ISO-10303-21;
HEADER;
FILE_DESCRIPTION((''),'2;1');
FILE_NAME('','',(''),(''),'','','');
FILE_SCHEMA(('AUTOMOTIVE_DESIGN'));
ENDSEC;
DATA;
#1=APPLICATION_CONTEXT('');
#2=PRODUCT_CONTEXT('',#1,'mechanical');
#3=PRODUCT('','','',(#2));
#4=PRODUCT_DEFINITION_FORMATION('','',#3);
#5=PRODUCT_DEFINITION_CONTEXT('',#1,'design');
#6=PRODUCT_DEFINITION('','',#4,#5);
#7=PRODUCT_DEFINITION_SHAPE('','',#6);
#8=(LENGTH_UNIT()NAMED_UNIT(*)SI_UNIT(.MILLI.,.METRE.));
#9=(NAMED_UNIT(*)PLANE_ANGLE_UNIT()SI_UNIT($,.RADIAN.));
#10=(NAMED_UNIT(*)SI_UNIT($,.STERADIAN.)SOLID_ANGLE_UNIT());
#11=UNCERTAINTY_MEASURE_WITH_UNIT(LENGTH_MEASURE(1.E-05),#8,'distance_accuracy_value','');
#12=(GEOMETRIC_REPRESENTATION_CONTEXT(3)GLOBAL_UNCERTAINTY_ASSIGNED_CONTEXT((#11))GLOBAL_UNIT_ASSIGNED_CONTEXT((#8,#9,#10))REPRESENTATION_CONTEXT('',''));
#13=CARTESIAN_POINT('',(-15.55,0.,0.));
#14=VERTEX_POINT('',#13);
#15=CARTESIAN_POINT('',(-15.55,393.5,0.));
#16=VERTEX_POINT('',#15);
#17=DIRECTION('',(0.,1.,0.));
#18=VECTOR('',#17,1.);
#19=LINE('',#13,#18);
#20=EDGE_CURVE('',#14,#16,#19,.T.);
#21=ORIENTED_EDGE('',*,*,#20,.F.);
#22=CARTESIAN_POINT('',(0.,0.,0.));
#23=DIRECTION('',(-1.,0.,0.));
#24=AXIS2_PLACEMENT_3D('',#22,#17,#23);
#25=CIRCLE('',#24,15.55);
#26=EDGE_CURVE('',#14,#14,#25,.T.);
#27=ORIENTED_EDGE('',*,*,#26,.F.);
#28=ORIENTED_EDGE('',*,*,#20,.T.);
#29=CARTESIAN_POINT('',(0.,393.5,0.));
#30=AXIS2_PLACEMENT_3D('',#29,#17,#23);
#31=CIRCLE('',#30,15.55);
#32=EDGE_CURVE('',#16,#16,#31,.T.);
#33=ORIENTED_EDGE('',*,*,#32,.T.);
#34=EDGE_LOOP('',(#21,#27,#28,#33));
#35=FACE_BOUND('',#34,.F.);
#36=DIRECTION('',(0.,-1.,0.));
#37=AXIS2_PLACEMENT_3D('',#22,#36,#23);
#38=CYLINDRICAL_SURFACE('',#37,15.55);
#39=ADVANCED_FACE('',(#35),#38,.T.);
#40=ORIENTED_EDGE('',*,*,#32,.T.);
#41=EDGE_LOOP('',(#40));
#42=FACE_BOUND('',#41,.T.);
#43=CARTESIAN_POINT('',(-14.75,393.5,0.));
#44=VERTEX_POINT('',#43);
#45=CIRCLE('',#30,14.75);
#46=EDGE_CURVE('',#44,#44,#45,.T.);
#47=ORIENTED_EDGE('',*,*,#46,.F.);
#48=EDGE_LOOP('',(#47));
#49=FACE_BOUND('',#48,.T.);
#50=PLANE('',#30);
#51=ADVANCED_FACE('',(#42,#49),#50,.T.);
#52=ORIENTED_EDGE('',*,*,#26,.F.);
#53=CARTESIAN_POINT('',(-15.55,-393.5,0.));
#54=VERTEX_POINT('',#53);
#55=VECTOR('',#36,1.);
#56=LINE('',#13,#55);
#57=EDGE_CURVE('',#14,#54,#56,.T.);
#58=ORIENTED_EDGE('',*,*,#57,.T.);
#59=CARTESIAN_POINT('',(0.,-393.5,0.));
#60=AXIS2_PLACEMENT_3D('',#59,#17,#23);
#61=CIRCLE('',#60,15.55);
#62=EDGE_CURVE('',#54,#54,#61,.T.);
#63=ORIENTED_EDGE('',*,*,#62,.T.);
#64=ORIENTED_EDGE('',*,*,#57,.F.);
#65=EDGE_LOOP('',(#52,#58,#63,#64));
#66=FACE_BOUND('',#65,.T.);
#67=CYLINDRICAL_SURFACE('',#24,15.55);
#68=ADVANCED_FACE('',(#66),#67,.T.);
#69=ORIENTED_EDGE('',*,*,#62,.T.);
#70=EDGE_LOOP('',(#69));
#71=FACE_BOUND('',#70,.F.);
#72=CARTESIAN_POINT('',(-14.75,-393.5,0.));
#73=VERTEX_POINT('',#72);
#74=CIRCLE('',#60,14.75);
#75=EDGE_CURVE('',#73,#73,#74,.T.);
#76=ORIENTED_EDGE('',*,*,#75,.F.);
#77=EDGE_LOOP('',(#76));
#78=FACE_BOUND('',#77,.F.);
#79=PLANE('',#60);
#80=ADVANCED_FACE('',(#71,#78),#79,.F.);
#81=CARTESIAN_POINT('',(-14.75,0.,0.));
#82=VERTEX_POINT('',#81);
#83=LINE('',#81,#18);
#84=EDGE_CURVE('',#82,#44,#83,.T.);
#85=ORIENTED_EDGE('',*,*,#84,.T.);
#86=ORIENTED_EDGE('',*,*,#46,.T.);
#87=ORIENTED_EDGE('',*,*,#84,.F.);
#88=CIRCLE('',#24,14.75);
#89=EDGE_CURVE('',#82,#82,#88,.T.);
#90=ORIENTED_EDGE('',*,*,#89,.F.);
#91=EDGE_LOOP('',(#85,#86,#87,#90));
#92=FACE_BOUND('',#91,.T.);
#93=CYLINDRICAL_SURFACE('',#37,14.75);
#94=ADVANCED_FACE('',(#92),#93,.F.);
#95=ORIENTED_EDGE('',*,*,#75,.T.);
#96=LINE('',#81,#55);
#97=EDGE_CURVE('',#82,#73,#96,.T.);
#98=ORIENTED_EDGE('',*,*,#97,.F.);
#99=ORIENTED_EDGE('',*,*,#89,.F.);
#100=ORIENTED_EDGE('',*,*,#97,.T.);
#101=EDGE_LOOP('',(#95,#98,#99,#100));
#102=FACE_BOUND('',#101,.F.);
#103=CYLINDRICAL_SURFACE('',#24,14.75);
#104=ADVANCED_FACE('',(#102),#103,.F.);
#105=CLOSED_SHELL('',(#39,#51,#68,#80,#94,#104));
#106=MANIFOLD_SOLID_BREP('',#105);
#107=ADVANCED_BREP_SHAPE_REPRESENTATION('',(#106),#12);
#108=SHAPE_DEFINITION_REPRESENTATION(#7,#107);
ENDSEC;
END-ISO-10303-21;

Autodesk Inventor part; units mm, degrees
ref_plane "YZ Plane" through (0, 0, 0) normal (1, 0, 0) x (0, 1, 0)
ref_plane "XZ Plane" through (0, 0, 0) normal (0, 1, 0) x (-1, 0, 0)
ref_plane "XY Plane" through (0, 0, 0) normal (0, 0, 1) x (1, 0, 0)
sketch "Sketch1" plane through (0, 0, 0) normal (0, 1, 0) x (-1, 0, 0)
  circle A0 centre (0, 0) radius 15.55
  circle A1 centre (0, 0) radius 14.75
  dimension "d0" = 31.1
  dimension "d1" = 29.5
extrude "Extrusion1" add sketch "Sketch1" along normal mid plane 787
properties part number "SP52V1 Tubo superior" material "Steel, Carbon"
